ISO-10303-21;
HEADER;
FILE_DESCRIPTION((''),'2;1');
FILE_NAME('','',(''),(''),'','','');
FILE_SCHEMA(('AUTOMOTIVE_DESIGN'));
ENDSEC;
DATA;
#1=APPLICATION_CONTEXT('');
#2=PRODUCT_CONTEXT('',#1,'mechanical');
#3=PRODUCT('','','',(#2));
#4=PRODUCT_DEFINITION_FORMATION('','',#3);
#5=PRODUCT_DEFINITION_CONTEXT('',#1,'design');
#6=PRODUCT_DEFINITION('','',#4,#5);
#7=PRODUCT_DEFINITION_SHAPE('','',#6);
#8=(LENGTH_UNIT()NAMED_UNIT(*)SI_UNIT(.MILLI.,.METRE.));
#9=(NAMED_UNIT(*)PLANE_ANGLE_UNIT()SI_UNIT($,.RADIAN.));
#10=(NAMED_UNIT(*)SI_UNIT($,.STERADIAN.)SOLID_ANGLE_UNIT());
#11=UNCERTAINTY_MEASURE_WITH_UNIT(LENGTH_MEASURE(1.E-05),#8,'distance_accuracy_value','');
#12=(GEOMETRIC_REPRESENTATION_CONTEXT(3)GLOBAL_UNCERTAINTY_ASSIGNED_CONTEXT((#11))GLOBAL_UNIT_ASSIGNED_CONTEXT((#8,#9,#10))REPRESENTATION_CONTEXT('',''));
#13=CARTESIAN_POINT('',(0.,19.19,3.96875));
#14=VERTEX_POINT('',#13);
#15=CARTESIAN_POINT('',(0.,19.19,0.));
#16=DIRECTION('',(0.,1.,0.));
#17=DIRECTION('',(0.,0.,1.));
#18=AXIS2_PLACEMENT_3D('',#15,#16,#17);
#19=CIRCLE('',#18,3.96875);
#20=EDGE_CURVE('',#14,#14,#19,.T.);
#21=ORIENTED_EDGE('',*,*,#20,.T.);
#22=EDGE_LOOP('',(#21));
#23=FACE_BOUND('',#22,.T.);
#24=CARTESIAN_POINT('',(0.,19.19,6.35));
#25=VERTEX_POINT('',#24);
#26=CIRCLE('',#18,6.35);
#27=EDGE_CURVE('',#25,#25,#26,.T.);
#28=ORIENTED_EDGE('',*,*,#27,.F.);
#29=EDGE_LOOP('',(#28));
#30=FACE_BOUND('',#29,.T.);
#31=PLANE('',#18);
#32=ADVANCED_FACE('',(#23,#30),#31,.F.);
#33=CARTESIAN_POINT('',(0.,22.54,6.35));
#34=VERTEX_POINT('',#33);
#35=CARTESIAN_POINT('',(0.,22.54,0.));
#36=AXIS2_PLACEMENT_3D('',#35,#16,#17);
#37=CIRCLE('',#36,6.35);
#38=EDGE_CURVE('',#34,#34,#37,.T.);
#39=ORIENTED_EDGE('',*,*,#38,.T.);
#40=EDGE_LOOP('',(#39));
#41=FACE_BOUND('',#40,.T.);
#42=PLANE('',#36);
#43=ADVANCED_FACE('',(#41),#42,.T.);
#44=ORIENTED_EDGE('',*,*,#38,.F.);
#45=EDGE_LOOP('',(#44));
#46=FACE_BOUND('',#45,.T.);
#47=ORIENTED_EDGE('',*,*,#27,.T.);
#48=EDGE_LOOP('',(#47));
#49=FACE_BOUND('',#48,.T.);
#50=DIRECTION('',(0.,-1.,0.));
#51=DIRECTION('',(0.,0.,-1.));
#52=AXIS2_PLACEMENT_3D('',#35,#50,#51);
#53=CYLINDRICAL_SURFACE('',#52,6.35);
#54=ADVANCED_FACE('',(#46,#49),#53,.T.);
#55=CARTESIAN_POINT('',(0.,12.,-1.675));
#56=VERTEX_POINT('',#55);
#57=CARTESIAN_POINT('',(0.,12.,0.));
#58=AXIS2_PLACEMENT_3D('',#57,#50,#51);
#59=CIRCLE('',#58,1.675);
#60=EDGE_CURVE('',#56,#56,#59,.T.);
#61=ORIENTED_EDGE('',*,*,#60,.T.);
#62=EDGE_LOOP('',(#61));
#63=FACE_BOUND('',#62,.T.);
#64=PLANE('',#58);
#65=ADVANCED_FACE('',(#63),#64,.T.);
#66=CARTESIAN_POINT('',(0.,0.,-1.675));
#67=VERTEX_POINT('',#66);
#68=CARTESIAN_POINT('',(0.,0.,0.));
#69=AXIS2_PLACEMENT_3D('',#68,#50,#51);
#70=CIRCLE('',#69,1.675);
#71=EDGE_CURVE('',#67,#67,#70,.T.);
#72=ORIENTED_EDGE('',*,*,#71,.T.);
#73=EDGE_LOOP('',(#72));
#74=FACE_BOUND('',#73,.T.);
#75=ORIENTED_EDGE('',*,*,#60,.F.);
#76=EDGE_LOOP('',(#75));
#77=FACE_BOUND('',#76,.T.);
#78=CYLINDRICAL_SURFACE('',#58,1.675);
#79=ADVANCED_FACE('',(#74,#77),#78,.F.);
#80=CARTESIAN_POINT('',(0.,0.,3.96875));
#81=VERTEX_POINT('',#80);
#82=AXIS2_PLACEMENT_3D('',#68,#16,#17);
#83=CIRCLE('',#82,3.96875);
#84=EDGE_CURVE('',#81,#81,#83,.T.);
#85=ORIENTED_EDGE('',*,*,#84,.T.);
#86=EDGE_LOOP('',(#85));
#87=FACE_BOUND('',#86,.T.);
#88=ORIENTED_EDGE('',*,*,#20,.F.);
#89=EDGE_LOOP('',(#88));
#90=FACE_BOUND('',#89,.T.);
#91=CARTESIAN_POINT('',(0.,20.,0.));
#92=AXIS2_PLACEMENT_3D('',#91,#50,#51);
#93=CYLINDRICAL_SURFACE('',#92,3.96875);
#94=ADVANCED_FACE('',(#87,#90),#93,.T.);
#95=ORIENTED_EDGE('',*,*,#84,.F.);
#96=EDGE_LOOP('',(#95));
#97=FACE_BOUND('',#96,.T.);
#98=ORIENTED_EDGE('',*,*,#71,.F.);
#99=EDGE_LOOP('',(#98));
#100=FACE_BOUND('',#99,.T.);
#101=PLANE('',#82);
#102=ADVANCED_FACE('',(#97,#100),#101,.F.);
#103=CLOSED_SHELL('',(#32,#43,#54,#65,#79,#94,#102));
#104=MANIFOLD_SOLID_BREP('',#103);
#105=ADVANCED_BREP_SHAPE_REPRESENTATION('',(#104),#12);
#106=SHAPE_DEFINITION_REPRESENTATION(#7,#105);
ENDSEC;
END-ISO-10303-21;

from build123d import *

# Parameters (mm, degrees)
SKETCH1_R           = 3.96875
BOSS_EXTRUDE1_DEPTH = 20
SKETCH2_R           = 1.675
CUT_EXTRUDE1_DEPTH  = 12
SKETCH4_R           = 6.35
BOSS_EXTRUDE2_DEPTH = 2.54
SKETCH6_R           = 6.35
BOSS_EXTRUDE3_DEPTH = 3.35


with BuildPart() as part:
    # Sketch1 → Boss-Extrude1 (new body)
    with BuildSketch(Plane(origin=(0, 0, 0), x_dir=(1, 0, 0), z_dir=(0, 1, 0))):
        Circle(SKETCH1_R)
    extrude(amount=BOSS_EXTRUDE1_DEPTH)

    # Sketch2 → Cut-Extrude1 (cut)
    with BuildSketch(Plane.XZ):
        Circle(SKETCH2_R)
    extrude(amount=-CUT_EXTRUDE1_DEPTH, mode=Mode.SUBTRACT)

    # Sketch4 → Boss-Extrude2 (add)
    with BuildSketch(Plane(origin=(0, 20, 0), x_dir=(1, 0, 0), z_dir=(0, 1, 0))):
        Circle(SKETCH4_R)
    extrude(amount=BOSS_EXTRUDE2_DEPTH)

    # Sketch6 → Boss-Extrude3 (add)
    with BuildSketch(Plane(origin=(0, 22.54, 0), x_dir=(1, 0, 0), z_dir=(0, 1, 0))):
        Circle(SKETCH6_R)
    extrude(amount=-BOSS_EXTRUDE3_DEPTH)


solid = part.part
